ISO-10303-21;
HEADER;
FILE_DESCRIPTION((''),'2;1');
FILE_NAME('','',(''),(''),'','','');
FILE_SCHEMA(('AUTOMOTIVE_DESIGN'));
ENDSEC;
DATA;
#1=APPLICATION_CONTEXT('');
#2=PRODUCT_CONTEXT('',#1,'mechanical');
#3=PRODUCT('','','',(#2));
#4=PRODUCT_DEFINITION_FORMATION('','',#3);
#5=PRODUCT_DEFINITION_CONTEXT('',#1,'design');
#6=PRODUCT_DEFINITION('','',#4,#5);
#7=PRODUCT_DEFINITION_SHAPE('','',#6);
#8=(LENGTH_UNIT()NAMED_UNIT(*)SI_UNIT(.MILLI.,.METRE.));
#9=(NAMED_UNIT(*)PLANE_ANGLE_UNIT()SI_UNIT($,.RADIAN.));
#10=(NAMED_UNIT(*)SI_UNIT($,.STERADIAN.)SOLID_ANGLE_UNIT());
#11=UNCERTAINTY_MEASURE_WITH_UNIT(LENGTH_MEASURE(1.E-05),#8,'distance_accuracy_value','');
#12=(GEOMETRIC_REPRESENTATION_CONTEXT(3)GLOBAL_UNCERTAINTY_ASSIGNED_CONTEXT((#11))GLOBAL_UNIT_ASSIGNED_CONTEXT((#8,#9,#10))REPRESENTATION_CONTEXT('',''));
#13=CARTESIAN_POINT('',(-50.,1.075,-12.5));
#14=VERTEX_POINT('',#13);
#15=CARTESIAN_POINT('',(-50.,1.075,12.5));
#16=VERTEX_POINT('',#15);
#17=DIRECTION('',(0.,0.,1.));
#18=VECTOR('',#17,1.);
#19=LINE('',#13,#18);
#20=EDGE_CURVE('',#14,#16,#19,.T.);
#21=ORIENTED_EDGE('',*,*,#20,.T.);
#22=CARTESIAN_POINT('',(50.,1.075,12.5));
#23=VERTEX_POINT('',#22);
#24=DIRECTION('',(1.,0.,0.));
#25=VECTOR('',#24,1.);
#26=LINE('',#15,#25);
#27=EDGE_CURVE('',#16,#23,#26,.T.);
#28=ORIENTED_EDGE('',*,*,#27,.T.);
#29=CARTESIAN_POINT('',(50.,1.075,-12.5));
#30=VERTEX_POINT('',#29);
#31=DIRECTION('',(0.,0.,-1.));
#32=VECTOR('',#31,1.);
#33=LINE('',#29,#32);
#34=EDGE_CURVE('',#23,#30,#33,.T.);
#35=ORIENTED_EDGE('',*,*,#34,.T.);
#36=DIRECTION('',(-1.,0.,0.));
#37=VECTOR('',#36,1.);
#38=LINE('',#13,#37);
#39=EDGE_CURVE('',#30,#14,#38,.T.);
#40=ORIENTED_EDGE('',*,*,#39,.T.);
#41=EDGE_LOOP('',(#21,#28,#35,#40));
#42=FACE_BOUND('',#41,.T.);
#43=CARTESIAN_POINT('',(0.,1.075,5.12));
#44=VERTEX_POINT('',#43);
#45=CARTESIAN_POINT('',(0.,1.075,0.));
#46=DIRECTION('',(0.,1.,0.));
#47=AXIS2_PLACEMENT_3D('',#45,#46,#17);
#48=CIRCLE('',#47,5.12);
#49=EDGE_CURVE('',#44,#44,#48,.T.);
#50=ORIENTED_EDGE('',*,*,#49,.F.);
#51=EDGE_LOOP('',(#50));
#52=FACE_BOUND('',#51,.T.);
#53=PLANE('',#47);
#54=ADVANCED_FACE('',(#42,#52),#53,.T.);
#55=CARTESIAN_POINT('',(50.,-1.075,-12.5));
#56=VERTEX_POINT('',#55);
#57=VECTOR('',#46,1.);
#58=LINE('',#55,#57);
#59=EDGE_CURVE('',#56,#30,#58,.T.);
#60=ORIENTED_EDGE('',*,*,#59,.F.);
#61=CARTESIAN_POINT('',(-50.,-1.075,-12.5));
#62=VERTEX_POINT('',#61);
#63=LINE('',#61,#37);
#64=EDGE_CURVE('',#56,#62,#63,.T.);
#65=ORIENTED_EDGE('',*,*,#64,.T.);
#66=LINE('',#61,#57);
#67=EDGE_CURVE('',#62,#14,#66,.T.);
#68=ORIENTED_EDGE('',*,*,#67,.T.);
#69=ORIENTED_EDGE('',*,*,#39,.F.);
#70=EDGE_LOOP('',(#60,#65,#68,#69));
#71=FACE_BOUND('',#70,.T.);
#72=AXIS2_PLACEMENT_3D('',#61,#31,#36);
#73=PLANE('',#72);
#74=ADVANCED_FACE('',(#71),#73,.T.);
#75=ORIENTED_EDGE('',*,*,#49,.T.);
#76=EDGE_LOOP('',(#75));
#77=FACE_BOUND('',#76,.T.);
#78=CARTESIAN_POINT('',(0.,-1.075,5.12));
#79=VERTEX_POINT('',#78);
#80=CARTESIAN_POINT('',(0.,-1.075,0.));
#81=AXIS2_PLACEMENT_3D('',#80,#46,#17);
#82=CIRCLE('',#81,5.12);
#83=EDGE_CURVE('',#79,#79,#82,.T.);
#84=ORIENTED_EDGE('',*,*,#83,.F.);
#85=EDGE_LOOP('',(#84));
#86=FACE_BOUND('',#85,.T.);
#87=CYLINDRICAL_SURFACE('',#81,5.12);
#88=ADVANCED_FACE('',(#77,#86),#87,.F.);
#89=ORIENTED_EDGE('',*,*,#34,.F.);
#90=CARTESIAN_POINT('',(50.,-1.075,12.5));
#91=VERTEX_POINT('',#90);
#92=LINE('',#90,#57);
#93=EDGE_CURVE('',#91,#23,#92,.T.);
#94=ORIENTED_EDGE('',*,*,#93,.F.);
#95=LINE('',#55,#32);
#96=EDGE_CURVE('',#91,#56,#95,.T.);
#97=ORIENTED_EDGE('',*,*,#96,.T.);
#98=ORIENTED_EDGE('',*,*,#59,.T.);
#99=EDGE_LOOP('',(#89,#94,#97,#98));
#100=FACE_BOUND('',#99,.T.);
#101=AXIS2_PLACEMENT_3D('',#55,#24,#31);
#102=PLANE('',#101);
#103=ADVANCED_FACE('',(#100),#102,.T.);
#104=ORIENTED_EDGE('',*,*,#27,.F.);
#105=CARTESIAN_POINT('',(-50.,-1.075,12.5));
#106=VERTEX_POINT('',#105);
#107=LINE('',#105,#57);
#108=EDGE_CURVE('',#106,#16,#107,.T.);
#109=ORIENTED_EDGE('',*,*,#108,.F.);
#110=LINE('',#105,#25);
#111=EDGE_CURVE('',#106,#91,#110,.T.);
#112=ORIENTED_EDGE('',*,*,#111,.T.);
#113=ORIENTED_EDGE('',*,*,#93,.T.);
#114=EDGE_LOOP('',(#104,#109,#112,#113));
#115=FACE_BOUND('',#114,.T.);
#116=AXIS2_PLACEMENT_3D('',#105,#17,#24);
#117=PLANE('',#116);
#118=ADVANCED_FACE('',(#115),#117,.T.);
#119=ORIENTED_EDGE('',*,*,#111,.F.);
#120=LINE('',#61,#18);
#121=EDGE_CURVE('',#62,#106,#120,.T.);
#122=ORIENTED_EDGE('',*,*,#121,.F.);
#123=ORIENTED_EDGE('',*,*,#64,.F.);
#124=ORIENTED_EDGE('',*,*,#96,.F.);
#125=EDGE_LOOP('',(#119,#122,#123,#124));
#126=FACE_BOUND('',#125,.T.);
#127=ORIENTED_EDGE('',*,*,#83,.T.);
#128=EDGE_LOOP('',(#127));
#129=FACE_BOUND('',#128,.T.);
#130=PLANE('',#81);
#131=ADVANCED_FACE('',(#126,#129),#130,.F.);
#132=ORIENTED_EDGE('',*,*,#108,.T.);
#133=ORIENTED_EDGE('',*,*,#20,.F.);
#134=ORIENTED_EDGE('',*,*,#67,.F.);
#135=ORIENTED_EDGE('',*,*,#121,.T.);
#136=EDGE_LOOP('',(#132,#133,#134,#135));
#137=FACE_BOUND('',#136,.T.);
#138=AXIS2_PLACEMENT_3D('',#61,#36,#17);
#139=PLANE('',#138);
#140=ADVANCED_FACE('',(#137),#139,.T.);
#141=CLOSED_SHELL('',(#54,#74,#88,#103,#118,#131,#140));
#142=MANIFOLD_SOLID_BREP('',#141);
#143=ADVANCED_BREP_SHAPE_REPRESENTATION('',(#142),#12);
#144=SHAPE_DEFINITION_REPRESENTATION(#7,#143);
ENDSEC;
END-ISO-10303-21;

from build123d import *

# Parameters (mm, degrees)
SKETCH1_W                = 100
SKETCH1_H                = 25
BOSS_EXTRUDE1_DEPTH      = 1.075
BOSS_EXTRUDE1_DEPTH_BACK = 1.075
SKETCH2_R                = 5.12
CUT_EXTRUDE1_DEPTH       = 2.075
CUT_EXTRUDE1_DEPTH_BACK  = 2.075


with BuildPart() as part:
    # Sketch1 → Boss-Extrude1 (new body, two sides)
    with BuildSketch(Plane(origin=(0, 0, 0), x_dir=(1, 0, 0), z_dir=(0, 1, 0))) as boss_extrude1_sk:
        Rectangle(SKETCH1_W, SKETCH1_H)
    extrude(amount=BOSS_EXTRUDE1_DEPTH)
    extrude(boss_extrude1_sk.sketch, amount=-BOSS_EXTRUDE1_DEPTH_BACK)

    # Sketch2 → Cut-Extrude1 (cut, two sides)
    with BuildSketch(Plane(origin=(0, 0, 0), x_dir=(1, 0, 0), z_dir=(0, 1, 0))) as cut_extrude1_sk:
        Circle(SKETCH2_R)
    extrude(amount=CUT_EXTRUDE1_DEPTH, mode=Mode.SUBTRACT)
    extrude(cut_extrude1_sk.sketch, amount=-CUT_EXTRUDE1_DEPTH_BACK, mode=Mode.SUBTRACT)


solid = part.part
